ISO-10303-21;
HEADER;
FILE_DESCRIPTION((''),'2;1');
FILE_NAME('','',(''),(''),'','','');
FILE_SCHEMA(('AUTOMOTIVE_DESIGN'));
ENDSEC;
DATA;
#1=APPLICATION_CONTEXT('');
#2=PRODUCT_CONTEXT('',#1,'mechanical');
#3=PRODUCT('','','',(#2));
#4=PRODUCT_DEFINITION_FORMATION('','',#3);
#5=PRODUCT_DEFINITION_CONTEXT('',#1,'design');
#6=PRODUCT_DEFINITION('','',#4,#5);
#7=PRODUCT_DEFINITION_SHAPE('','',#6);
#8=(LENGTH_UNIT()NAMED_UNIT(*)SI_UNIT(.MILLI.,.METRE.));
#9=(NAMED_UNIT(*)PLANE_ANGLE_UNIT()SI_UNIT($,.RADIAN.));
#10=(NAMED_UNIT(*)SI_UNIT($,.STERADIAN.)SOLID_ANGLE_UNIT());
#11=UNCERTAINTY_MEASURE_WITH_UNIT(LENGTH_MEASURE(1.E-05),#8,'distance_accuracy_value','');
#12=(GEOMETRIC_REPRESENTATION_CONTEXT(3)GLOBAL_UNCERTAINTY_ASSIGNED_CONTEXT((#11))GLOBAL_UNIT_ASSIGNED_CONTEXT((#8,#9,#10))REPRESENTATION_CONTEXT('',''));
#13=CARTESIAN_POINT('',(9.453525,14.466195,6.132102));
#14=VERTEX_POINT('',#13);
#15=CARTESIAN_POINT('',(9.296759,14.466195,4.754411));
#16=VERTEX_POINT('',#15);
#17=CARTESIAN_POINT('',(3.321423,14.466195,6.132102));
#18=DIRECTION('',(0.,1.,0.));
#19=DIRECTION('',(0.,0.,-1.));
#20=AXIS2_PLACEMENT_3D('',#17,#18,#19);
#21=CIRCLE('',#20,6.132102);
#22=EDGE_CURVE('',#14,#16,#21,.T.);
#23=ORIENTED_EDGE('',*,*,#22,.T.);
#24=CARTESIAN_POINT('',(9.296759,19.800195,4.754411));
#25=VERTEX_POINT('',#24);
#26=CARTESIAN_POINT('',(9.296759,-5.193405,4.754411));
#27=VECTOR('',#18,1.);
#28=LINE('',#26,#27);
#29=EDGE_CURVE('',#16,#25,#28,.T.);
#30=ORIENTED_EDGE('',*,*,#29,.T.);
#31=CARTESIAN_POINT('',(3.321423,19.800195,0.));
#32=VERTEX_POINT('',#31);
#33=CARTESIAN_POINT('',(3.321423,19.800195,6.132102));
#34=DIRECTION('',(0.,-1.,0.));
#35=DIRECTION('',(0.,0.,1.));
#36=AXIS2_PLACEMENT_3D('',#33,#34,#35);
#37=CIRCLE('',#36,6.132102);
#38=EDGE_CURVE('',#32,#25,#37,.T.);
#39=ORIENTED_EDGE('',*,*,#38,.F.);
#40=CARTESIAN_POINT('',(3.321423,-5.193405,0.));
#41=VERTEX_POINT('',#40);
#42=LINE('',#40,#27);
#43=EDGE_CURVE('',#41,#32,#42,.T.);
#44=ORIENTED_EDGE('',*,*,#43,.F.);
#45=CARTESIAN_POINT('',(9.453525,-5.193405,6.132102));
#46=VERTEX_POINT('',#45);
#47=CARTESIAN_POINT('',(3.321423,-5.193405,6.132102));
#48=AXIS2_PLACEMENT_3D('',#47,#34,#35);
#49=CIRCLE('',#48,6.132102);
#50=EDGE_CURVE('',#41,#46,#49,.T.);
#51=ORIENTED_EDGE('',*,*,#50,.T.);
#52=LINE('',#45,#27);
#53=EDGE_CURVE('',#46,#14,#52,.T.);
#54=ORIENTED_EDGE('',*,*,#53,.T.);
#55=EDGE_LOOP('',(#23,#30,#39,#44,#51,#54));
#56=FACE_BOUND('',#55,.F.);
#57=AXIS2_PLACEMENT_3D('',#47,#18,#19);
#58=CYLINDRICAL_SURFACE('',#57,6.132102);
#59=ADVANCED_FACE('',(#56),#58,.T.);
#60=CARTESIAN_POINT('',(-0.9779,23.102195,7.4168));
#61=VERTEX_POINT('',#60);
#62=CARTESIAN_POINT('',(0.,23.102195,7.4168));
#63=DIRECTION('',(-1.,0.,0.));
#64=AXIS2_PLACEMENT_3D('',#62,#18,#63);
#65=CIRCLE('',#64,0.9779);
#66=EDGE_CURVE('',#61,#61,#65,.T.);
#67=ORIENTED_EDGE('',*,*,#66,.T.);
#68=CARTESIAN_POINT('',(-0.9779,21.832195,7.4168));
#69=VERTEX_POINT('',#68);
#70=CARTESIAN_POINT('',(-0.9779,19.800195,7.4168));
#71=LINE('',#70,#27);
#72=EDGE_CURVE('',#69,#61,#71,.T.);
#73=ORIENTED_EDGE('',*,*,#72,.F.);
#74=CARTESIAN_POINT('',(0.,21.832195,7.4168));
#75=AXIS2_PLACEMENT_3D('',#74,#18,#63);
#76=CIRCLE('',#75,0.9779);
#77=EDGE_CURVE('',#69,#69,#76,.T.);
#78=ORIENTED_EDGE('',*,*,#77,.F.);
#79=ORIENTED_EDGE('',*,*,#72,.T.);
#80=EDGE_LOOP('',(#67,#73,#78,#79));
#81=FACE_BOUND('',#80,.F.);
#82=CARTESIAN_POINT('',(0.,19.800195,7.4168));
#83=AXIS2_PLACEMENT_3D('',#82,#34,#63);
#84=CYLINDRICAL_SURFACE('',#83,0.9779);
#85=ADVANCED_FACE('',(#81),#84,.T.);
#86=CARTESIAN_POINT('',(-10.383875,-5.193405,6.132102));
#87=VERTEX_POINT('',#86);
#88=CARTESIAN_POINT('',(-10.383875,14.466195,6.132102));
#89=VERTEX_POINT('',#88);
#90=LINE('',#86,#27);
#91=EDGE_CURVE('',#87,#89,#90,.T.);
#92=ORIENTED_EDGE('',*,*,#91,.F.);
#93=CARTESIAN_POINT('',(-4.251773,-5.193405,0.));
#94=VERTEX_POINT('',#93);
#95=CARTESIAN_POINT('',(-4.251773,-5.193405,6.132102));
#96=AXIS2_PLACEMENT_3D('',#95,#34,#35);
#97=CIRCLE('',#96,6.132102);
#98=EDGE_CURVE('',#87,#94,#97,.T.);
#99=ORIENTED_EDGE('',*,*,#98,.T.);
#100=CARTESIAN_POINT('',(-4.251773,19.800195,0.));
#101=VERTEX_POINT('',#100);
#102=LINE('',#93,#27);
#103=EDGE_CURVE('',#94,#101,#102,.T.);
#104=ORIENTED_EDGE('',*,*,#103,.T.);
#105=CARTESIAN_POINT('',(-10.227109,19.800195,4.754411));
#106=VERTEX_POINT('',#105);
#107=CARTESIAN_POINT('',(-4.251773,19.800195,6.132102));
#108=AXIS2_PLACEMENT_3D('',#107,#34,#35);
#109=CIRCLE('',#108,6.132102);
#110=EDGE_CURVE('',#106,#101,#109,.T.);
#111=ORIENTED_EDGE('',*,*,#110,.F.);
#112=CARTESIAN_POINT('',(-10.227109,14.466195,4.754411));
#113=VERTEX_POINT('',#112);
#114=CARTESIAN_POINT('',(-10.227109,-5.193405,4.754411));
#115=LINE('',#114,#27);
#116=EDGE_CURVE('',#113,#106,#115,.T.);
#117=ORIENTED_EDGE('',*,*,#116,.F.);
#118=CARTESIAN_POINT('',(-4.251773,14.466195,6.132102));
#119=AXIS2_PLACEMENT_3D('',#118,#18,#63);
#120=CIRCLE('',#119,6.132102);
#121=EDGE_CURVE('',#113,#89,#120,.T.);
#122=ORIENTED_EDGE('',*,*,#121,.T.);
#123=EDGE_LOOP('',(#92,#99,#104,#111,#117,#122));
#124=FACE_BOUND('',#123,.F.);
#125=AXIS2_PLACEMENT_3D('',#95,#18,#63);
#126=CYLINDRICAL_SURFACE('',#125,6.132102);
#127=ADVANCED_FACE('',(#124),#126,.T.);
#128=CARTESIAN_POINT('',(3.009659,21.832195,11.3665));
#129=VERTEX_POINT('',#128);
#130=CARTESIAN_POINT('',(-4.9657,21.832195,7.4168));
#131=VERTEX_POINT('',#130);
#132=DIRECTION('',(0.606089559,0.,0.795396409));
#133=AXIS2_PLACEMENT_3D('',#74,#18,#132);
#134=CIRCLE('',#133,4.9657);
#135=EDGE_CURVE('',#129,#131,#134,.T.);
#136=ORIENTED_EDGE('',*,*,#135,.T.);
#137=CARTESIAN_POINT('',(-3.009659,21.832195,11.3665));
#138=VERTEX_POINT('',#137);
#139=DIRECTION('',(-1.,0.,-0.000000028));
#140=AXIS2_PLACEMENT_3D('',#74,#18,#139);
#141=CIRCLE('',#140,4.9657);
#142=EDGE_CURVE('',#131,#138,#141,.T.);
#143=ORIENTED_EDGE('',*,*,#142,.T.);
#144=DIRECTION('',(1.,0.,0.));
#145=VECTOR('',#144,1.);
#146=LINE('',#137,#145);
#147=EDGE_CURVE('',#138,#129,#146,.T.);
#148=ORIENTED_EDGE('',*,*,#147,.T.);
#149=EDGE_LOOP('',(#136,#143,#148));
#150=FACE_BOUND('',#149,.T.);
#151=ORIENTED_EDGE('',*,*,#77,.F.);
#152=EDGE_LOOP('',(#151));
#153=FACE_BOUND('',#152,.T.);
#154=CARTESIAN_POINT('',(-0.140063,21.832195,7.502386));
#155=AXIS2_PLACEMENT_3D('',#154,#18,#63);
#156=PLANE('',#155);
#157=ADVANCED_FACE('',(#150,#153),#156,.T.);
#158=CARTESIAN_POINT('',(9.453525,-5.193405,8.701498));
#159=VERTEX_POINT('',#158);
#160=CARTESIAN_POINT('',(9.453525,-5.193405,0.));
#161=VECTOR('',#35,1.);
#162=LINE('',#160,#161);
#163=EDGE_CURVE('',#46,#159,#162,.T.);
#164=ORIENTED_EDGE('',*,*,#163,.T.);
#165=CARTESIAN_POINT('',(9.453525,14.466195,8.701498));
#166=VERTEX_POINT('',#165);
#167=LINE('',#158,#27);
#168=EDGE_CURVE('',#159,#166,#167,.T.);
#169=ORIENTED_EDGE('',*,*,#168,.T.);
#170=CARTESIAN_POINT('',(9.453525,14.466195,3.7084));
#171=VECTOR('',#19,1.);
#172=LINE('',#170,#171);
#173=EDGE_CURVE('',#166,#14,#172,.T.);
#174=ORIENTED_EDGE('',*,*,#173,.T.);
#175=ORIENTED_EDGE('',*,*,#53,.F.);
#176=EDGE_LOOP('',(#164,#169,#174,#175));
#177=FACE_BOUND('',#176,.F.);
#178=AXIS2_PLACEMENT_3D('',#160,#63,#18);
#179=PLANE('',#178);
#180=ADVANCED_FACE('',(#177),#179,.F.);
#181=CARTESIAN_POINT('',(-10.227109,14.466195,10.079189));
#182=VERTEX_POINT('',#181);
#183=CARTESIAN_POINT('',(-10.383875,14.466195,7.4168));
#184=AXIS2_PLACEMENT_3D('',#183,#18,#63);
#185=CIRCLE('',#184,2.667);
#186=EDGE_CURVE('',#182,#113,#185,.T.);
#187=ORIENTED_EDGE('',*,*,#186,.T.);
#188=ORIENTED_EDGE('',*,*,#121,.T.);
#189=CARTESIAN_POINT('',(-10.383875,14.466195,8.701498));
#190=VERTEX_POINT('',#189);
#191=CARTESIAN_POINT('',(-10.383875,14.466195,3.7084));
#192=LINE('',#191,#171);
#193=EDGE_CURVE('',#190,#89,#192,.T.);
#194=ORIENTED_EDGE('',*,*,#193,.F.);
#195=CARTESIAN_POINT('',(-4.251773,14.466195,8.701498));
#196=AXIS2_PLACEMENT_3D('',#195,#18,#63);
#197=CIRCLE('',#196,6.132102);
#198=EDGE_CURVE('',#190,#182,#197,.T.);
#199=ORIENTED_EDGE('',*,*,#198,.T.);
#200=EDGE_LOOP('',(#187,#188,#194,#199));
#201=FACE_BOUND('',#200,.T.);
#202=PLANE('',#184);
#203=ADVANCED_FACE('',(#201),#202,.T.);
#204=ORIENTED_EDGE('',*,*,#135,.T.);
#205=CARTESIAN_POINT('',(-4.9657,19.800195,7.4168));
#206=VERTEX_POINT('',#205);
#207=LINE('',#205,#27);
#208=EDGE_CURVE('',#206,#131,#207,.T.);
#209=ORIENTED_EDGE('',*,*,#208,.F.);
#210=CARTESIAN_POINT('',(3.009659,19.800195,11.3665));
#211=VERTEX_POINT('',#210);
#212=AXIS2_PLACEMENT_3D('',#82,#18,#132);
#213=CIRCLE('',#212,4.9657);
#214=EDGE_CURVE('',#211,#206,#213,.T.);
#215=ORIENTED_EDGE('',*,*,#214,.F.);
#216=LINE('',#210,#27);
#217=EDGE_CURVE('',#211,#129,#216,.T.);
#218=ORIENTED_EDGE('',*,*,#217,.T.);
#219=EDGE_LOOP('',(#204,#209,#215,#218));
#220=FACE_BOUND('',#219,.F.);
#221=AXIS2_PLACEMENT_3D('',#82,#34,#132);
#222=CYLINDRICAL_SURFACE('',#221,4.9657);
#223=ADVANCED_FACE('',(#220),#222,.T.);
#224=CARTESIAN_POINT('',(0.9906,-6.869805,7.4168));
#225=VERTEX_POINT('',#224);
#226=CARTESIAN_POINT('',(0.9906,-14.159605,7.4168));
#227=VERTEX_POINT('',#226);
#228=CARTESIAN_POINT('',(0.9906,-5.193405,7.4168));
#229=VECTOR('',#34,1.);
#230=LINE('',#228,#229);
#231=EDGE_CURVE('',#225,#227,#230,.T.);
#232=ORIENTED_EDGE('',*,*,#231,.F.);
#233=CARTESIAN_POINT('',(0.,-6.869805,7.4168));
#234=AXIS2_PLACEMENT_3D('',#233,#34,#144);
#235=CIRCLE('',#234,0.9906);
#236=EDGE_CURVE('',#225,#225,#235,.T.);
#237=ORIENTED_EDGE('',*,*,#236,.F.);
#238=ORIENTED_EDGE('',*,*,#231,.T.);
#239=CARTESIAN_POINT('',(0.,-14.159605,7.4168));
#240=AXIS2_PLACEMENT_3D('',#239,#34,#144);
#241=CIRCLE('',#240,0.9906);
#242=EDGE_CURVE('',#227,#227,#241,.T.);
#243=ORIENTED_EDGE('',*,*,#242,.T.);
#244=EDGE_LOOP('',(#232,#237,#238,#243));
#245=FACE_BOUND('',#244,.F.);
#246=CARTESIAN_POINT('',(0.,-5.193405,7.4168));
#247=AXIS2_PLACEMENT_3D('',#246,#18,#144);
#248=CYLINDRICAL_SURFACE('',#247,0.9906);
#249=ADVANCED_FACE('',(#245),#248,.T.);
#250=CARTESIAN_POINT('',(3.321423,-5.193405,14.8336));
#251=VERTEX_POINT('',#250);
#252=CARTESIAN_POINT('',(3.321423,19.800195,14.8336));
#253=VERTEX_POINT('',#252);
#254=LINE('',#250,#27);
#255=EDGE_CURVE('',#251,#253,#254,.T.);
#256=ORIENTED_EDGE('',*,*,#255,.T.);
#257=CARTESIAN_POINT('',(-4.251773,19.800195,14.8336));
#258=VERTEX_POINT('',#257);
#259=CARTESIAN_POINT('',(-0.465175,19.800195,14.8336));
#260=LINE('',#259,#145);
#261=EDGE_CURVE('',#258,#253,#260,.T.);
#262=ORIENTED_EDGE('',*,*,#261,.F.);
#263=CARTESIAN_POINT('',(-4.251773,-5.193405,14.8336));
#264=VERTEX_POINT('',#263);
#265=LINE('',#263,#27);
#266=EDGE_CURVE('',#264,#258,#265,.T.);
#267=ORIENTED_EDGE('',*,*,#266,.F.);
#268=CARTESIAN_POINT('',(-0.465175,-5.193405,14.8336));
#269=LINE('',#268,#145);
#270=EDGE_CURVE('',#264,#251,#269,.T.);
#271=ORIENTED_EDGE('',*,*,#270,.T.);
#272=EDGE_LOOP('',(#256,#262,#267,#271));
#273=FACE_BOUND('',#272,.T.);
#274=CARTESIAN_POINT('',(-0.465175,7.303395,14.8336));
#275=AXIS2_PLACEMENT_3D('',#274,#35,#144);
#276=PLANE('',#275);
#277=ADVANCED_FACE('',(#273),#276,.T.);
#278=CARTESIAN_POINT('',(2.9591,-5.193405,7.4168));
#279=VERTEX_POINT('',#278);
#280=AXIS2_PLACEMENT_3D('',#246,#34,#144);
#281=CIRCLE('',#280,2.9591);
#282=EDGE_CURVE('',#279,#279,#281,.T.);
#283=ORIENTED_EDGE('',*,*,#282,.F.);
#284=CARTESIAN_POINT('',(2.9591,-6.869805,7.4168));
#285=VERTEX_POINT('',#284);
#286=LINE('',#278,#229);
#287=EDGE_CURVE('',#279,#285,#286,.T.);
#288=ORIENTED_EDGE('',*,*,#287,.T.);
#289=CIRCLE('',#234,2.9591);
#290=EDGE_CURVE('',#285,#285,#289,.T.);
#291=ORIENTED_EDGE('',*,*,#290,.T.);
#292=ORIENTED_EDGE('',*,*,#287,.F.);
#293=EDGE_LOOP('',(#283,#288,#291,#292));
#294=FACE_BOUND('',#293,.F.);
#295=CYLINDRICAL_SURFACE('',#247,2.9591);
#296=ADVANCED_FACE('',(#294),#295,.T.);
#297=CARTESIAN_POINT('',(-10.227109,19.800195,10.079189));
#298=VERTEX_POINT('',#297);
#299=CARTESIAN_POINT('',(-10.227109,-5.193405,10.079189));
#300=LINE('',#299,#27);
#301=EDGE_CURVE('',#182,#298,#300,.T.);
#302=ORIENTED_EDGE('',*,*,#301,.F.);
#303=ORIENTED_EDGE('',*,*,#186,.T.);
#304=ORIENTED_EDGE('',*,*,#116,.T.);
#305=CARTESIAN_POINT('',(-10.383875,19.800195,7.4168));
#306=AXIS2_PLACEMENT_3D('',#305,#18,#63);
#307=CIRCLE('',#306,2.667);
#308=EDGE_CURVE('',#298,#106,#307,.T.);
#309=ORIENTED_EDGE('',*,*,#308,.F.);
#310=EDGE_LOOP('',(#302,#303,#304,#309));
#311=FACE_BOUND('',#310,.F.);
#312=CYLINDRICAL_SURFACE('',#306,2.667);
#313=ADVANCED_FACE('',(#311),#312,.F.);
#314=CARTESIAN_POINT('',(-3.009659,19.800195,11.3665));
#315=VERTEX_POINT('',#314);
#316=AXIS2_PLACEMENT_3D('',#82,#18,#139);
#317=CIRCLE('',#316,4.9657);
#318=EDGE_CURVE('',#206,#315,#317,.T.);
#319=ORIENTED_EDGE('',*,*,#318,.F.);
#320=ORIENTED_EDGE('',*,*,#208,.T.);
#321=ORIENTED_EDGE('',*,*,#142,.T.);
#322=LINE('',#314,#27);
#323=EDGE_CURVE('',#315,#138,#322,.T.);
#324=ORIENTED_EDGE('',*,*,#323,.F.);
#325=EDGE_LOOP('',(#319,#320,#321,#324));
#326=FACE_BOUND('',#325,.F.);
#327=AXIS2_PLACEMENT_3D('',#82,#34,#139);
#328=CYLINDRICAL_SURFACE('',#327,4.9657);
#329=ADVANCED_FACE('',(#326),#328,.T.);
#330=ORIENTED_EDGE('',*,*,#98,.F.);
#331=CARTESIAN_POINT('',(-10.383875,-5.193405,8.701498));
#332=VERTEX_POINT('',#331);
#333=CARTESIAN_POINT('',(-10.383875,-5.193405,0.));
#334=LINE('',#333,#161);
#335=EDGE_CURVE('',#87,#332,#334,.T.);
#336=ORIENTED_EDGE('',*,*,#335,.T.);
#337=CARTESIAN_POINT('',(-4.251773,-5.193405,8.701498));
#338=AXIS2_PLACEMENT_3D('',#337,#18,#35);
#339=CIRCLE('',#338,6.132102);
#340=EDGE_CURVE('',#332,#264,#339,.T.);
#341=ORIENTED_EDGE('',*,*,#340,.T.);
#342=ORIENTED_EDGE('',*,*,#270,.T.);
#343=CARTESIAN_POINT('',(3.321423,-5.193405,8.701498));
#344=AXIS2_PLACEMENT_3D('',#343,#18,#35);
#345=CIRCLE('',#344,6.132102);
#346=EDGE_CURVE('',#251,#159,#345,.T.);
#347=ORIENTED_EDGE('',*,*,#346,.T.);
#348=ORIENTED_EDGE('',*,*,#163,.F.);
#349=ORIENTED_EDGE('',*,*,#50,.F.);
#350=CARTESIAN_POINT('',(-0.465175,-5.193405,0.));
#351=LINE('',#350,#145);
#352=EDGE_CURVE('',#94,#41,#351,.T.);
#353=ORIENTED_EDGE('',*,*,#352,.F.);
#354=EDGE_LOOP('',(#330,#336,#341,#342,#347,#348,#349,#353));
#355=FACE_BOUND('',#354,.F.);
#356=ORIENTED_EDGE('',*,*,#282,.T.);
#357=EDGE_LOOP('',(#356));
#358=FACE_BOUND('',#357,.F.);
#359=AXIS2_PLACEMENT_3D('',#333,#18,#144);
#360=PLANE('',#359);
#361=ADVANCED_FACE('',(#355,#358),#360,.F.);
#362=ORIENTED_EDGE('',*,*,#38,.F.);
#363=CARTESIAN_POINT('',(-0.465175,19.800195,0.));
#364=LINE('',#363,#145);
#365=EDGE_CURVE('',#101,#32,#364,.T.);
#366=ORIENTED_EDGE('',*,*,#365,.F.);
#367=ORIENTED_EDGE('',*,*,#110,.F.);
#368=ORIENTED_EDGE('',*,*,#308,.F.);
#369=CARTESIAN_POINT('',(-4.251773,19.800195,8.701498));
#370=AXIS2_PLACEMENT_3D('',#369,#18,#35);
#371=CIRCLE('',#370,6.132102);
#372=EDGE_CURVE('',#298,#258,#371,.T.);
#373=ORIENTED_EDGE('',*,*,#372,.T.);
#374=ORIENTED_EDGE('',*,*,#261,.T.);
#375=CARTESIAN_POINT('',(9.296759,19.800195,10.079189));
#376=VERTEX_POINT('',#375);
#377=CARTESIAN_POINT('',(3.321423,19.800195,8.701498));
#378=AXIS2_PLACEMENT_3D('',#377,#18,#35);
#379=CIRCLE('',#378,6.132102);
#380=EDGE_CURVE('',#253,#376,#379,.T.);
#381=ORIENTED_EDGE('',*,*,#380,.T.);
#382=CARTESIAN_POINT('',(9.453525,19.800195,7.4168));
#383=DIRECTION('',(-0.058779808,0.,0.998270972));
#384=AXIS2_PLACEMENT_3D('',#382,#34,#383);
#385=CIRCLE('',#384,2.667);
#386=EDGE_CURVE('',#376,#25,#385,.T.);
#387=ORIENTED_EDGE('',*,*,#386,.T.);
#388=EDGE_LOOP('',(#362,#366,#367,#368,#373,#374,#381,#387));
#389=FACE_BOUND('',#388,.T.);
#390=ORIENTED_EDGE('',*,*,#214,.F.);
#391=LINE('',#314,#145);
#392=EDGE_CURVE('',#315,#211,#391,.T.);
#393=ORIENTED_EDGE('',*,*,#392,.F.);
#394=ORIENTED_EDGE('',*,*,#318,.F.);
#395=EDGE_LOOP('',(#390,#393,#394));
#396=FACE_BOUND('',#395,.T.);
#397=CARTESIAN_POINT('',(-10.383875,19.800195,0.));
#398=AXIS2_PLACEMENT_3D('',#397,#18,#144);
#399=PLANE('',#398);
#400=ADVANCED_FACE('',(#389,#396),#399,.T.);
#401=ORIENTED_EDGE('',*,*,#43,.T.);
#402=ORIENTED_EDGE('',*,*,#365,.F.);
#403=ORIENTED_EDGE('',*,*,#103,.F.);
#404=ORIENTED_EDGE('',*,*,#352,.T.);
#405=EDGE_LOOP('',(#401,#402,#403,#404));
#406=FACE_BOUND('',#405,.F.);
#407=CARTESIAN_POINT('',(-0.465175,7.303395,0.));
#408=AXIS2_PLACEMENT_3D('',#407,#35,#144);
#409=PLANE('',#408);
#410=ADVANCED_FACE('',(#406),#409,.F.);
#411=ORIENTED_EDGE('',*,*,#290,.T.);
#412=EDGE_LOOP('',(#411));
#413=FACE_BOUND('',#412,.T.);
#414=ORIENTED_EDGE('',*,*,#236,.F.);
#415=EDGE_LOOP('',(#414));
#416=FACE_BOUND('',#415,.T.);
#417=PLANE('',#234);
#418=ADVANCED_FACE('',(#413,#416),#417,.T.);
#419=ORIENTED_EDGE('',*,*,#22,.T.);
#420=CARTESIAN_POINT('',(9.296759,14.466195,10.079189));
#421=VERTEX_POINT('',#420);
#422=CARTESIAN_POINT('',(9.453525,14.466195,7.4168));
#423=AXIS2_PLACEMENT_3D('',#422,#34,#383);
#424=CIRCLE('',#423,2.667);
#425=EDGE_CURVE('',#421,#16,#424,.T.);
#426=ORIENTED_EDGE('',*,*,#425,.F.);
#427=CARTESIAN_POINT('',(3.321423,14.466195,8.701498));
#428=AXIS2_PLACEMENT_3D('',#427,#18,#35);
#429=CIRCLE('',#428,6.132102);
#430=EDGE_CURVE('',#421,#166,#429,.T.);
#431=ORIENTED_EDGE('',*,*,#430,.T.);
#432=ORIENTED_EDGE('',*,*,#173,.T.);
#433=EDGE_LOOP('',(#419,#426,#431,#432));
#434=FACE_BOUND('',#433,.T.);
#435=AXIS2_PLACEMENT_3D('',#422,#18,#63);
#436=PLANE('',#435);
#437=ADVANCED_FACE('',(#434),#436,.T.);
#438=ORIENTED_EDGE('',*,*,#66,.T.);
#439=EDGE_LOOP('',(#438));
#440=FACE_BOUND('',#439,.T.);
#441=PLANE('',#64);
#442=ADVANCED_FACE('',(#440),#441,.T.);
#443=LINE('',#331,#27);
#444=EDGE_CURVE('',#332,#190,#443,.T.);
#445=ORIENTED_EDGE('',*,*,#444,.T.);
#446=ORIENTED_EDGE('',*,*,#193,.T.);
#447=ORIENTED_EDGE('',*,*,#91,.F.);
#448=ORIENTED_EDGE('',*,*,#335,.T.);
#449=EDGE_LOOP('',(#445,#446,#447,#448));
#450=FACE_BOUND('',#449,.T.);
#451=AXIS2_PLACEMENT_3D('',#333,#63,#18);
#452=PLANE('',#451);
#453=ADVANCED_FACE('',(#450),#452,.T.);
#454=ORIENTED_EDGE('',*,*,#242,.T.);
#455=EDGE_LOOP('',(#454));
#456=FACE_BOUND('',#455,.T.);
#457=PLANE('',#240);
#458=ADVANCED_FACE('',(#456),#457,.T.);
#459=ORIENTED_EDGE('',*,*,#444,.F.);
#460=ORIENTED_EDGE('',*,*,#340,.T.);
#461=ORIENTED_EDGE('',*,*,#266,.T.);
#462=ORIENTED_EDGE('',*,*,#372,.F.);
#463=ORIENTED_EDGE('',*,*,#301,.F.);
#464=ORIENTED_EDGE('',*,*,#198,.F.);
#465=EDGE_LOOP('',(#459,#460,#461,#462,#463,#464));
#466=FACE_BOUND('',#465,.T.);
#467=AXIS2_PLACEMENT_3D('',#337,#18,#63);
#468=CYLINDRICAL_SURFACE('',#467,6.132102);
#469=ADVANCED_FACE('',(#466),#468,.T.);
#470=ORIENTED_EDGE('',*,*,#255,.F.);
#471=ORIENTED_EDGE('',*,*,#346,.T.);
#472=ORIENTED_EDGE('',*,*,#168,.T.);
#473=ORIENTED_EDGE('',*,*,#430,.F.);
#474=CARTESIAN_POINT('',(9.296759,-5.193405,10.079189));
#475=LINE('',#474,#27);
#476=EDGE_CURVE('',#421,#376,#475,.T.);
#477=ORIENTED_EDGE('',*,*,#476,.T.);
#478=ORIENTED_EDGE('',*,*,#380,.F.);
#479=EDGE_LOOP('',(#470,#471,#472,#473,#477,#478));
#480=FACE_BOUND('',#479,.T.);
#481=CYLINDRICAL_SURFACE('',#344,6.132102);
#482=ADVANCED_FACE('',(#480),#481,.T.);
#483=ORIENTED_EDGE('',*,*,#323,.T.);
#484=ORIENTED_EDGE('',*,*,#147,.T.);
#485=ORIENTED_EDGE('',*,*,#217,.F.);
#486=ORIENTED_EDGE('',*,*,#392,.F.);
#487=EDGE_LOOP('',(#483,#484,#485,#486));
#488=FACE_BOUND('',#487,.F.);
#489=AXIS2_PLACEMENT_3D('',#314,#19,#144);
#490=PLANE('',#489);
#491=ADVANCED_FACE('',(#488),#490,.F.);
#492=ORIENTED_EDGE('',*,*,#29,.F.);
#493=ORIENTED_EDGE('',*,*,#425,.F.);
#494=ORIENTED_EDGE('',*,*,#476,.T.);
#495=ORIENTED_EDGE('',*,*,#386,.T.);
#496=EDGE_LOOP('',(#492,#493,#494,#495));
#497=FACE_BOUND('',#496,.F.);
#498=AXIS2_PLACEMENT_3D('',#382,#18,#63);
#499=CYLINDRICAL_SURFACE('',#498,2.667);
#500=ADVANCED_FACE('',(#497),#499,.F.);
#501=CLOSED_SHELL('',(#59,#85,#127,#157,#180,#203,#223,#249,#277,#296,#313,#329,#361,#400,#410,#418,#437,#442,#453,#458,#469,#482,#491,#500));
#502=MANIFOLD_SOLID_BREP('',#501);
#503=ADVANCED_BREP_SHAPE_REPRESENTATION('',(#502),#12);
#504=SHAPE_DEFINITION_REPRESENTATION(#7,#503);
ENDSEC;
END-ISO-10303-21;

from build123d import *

# Parameters (mm, degrees)
F0_W      = 19.8374
F0_H      = 24.9936
F1_DEPTH  = 14.8336
F2_R      = 2.9591
F2_R_2    = 0.9906
F3_DEPTH  = 1.6764
F3_FACE_R = 0.9906
F4_DEPTH  = 8.9662
F5_R      = 6.132102
F6_R      = 0.9779
F7_DEPTH  = 2.032
F7_FACE_R = 0.9779
F8_DEPTH  = 3.302
F9_R      = 2.667
F10_DEPTH = 5.334


with BuildPart() as f1:
    # F0 (on Top) → F1 (new body)
    with BuildSketch(Plane.XY):
        with Locations((-0.465175, 7.303395)):
            Rectangle(F0_W, F0_H)
    extrude(amount=F1_DEPTH)

    # F2 (on face) → F3 (join)
    with BuildSketch(Plane.XZ.offset(5.193405)):
        with Locations((0, 7.4168)):
            Circle(F2_R)
        with Locations((0, 7.4168)):
            Circle(F2_R_2, mode=Mode.SUBTRACT)
    extrude(amount=F3_DEPTH)

    # F3_face (on face) → F4 (join)
    with BuildSketch(Plane(origin=(0, -5.193405, 7.4168), x_dir=(1, 0, 0), z_dir=(0, -1, 0))):
        Circle(F3_FACE_R)
    extrude(amount=F4_DEPTH)

    # F5
    f5_edges = [f1.edges().sort_by_distance(p)[0] for p in [
        (9.453525, 7.303395, 14.8336),
        (9.453525, 7.303395, 0),
        (-10.383875, 7.303395, 14.8336),
        (-10.383875, 7.303395, 0),
    ]]
    fillet(f5_edges, radius=F5_R)

    # F6 (on face) → F7 (join)
    with BuildSketch(Plane(origin=(0, 19.800195, 0), x_dir=(-1, 0, 0), z_dir=(0, 1, 0))):
        with BuildLine():
            ThreePointArc((-3.009659, 11.3665), (-2.20376, 2.966899), (4.9657, 7.4168))
            ThreePointArc((4.9657, 7.4168), (4.449901, 9.62056), (3.009659, 11.3665))
            Line((3.009659, 11.3665), (-3.009659, 11.3665))
        make_face()
        with Locations((0, 7.4168)):
            Circle(F6_R, mode=Mode.SUBTRACT)
    extrude(amount=F7_DEPTH)

    # F7_face (on face) → F8 (join)
    with BuildSketch(Plane(origin=(0, 19.800195, 7.4168), x_dir=(-1, 0, 0), z_dir=(0, 1, 0))):
        Circle(F7_FACE_R)
    extrude(amount=F8_DEPTH)

    # F9 (on face) → F10 (cut)
    with BuildSketch(Plane(origin=(0, 19.800195, 0), x_dir=(-1, 0, 0), z_dir=(0, 1, 0))):
        with Locations((-9.453525, 7.4168)):
            Circle(F9_R)
        with Locations((10.383875, 7.4168)):
            Circle(F9_R)
    extrude(amount=-F10_DEPTH, mode=Mode.SUBTRACT)


solid = f1.part
